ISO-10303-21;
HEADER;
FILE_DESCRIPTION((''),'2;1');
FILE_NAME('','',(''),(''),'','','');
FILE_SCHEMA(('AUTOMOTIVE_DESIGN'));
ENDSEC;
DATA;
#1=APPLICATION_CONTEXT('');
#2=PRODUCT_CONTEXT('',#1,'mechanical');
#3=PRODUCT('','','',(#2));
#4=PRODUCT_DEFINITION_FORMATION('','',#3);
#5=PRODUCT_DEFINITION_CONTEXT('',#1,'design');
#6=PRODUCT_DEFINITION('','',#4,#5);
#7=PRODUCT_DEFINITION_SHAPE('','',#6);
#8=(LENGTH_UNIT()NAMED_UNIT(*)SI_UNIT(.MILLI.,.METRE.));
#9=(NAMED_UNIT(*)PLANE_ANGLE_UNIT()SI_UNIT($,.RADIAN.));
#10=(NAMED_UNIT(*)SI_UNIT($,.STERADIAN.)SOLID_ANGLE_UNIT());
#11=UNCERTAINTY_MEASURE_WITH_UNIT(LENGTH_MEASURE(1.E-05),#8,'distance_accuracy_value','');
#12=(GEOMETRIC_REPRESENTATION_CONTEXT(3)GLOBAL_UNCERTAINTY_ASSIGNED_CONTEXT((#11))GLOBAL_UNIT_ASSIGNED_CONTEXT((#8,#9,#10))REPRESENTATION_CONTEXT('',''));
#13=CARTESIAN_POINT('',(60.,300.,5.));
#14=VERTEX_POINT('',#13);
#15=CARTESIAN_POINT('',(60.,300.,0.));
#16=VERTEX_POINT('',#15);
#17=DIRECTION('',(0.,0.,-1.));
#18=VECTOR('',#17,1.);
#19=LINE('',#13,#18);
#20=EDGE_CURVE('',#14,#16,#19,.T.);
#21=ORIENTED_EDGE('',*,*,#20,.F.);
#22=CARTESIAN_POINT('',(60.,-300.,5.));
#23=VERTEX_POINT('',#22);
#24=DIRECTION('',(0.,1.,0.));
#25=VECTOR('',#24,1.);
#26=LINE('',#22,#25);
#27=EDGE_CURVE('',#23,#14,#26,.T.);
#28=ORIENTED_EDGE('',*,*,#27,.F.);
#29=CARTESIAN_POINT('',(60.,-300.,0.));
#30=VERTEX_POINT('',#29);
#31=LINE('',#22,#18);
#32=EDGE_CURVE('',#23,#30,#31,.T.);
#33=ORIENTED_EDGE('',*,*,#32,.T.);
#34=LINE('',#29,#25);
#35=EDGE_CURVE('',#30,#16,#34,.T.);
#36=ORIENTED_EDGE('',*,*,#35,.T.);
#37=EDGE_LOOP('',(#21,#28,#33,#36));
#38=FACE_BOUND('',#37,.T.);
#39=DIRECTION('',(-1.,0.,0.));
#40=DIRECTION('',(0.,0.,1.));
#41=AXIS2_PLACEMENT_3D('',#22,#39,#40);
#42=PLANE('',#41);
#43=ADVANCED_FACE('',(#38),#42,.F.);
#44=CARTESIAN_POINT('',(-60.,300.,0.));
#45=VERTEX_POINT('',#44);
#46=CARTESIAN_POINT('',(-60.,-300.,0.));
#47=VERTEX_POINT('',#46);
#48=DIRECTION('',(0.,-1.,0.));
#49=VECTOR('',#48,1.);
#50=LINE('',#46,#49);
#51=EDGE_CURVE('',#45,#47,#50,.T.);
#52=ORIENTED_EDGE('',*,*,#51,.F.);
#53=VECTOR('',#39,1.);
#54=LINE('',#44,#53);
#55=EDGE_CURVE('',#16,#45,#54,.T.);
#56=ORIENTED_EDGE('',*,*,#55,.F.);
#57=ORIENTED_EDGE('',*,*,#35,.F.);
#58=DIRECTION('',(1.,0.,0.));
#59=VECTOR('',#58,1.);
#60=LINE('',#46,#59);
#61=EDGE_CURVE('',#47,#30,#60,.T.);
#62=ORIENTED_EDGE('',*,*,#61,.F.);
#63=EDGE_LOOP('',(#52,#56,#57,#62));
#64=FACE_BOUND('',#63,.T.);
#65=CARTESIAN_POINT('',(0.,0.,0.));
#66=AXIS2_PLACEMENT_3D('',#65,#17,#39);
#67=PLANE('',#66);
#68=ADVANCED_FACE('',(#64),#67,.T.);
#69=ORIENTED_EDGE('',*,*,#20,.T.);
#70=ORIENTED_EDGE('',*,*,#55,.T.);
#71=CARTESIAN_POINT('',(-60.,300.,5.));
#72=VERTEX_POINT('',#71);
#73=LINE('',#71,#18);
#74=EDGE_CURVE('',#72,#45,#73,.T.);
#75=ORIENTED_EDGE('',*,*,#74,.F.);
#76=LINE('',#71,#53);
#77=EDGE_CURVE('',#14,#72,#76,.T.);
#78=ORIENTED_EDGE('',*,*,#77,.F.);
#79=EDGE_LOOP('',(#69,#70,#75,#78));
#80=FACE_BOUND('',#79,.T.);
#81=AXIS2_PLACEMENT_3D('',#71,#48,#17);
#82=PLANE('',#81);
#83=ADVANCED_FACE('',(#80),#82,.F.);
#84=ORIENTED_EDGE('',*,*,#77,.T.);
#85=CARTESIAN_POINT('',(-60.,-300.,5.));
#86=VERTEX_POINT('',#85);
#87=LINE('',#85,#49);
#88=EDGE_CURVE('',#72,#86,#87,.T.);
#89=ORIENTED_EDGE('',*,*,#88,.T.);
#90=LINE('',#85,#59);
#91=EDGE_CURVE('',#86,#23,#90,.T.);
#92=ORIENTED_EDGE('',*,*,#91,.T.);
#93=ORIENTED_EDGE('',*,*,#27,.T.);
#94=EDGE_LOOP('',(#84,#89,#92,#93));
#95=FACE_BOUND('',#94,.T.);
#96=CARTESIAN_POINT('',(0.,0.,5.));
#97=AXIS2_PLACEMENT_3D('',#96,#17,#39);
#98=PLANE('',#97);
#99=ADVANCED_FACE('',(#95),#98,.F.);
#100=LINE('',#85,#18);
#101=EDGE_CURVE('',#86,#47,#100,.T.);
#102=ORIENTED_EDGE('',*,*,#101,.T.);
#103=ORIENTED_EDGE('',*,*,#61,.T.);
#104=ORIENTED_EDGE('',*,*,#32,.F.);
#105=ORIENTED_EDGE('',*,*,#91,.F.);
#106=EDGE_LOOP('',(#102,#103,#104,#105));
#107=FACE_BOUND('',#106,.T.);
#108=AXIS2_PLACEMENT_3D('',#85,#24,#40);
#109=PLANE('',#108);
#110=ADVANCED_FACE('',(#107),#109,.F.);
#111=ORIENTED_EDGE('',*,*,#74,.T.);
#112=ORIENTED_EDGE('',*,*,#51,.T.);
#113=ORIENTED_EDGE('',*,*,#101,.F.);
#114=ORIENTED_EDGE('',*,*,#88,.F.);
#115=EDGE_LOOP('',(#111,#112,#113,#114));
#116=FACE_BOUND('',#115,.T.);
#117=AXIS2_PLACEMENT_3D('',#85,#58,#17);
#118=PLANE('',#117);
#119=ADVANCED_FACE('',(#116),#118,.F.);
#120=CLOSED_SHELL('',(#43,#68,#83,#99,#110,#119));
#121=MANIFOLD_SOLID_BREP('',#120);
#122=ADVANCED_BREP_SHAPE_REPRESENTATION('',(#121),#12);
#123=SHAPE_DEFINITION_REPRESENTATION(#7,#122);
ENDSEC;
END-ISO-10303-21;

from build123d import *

# Parameters (mm, degrees)
SKETCH1_W           = 120
SKETCH1_H           = 600
BOSS_EXTRUDE1_DEPTH = 5


with BuildPart() as part:
    # Sketch1 → Boss-Extrude1 (new body)
    with BuildSketch(Plane.XY):
        Rectangle(SKETCH1_W, SKETCH1_H)
    extrude(amount=BOSS_EXTRUDE1_DEPTH)


solid = part.part
